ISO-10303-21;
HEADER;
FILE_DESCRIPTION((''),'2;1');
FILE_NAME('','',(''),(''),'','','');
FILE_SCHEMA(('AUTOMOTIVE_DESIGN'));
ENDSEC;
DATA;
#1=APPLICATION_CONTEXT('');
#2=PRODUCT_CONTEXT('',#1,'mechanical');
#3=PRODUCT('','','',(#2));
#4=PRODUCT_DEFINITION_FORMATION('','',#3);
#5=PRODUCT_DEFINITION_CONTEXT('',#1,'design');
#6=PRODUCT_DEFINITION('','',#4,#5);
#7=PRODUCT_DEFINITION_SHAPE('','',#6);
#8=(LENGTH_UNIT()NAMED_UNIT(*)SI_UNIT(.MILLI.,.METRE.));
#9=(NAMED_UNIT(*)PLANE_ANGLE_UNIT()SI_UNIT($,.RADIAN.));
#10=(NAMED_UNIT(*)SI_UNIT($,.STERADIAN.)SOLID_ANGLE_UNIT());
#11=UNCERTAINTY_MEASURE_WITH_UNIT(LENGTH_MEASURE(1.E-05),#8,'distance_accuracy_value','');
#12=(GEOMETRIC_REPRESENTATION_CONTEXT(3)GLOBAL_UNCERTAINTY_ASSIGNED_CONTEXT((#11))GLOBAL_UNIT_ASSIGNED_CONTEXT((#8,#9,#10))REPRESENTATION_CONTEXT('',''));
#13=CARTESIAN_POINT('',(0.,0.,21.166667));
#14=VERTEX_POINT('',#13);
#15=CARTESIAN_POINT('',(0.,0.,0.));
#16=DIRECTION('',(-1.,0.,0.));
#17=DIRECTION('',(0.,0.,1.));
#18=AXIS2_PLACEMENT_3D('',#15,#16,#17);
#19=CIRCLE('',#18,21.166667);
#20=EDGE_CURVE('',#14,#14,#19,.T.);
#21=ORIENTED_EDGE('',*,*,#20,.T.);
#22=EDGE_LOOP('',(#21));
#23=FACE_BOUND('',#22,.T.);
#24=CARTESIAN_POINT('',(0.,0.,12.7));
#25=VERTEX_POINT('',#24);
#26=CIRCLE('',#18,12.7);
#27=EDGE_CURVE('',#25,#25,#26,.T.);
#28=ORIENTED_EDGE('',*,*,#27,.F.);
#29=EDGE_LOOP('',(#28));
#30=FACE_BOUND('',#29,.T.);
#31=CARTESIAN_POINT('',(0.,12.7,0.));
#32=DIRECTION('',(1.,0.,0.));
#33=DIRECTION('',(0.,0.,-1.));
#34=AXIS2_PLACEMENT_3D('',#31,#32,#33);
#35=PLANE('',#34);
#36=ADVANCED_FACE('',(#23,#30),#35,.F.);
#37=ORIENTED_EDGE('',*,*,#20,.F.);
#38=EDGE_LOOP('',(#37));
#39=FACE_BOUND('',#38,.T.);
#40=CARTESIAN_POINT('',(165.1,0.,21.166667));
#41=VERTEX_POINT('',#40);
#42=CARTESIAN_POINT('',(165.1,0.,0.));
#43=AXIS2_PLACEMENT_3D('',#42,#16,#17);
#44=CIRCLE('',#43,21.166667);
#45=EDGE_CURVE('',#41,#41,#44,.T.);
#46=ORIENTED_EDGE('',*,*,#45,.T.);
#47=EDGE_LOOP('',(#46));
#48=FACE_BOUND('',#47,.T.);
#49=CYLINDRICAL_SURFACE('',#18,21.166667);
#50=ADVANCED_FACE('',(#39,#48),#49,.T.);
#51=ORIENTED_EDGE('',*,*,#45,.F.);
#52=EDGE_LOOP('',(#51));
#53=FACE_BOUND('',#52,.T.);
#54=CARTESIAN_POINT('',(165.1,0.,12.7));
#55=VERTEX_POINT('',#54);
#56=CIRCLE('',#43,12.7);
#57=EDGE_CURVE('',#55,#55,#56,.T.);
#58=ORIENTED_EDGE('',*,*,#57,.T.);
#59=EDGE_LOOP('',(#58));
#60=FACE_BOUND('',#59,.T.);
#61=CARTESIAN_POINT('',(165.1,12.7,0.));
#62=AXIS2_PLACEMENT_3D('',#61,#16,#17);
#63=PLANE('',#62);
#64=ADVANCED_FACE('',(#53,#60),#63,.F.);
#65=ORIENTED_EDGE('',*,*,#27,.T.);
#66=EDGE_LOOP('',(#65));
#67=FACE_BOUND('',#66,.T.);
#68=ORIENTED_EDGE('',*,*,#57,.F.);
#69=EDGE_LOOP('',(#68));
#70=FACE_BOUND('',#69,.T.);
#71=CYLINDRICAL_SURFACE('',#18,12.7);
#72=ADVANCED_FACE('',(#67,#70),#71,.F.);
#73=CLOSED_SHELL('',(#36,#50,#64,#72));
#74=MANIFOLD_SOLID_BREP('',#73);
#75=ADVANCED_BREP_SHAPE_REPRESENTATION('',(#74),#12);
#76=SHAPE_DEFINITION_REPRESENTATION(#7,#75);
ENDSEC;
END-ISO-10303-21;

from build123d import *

# Parameters (mm, degrees)
SKETCH1_W = 165.1
SKETCH1_H = 8.466666667


with BuildPart() as part:
    # Sketch1 → Revolve1 (revolve)
    with BuildSketch(Plane.XY):
        with Locations((82.55, 16.933333334)):
            Rectangle(SKETCH1_W, SKETCH1_H)
    revolve(axis=Axis((0, 0, 0), (1, 0, 0)))


solid = part.part
